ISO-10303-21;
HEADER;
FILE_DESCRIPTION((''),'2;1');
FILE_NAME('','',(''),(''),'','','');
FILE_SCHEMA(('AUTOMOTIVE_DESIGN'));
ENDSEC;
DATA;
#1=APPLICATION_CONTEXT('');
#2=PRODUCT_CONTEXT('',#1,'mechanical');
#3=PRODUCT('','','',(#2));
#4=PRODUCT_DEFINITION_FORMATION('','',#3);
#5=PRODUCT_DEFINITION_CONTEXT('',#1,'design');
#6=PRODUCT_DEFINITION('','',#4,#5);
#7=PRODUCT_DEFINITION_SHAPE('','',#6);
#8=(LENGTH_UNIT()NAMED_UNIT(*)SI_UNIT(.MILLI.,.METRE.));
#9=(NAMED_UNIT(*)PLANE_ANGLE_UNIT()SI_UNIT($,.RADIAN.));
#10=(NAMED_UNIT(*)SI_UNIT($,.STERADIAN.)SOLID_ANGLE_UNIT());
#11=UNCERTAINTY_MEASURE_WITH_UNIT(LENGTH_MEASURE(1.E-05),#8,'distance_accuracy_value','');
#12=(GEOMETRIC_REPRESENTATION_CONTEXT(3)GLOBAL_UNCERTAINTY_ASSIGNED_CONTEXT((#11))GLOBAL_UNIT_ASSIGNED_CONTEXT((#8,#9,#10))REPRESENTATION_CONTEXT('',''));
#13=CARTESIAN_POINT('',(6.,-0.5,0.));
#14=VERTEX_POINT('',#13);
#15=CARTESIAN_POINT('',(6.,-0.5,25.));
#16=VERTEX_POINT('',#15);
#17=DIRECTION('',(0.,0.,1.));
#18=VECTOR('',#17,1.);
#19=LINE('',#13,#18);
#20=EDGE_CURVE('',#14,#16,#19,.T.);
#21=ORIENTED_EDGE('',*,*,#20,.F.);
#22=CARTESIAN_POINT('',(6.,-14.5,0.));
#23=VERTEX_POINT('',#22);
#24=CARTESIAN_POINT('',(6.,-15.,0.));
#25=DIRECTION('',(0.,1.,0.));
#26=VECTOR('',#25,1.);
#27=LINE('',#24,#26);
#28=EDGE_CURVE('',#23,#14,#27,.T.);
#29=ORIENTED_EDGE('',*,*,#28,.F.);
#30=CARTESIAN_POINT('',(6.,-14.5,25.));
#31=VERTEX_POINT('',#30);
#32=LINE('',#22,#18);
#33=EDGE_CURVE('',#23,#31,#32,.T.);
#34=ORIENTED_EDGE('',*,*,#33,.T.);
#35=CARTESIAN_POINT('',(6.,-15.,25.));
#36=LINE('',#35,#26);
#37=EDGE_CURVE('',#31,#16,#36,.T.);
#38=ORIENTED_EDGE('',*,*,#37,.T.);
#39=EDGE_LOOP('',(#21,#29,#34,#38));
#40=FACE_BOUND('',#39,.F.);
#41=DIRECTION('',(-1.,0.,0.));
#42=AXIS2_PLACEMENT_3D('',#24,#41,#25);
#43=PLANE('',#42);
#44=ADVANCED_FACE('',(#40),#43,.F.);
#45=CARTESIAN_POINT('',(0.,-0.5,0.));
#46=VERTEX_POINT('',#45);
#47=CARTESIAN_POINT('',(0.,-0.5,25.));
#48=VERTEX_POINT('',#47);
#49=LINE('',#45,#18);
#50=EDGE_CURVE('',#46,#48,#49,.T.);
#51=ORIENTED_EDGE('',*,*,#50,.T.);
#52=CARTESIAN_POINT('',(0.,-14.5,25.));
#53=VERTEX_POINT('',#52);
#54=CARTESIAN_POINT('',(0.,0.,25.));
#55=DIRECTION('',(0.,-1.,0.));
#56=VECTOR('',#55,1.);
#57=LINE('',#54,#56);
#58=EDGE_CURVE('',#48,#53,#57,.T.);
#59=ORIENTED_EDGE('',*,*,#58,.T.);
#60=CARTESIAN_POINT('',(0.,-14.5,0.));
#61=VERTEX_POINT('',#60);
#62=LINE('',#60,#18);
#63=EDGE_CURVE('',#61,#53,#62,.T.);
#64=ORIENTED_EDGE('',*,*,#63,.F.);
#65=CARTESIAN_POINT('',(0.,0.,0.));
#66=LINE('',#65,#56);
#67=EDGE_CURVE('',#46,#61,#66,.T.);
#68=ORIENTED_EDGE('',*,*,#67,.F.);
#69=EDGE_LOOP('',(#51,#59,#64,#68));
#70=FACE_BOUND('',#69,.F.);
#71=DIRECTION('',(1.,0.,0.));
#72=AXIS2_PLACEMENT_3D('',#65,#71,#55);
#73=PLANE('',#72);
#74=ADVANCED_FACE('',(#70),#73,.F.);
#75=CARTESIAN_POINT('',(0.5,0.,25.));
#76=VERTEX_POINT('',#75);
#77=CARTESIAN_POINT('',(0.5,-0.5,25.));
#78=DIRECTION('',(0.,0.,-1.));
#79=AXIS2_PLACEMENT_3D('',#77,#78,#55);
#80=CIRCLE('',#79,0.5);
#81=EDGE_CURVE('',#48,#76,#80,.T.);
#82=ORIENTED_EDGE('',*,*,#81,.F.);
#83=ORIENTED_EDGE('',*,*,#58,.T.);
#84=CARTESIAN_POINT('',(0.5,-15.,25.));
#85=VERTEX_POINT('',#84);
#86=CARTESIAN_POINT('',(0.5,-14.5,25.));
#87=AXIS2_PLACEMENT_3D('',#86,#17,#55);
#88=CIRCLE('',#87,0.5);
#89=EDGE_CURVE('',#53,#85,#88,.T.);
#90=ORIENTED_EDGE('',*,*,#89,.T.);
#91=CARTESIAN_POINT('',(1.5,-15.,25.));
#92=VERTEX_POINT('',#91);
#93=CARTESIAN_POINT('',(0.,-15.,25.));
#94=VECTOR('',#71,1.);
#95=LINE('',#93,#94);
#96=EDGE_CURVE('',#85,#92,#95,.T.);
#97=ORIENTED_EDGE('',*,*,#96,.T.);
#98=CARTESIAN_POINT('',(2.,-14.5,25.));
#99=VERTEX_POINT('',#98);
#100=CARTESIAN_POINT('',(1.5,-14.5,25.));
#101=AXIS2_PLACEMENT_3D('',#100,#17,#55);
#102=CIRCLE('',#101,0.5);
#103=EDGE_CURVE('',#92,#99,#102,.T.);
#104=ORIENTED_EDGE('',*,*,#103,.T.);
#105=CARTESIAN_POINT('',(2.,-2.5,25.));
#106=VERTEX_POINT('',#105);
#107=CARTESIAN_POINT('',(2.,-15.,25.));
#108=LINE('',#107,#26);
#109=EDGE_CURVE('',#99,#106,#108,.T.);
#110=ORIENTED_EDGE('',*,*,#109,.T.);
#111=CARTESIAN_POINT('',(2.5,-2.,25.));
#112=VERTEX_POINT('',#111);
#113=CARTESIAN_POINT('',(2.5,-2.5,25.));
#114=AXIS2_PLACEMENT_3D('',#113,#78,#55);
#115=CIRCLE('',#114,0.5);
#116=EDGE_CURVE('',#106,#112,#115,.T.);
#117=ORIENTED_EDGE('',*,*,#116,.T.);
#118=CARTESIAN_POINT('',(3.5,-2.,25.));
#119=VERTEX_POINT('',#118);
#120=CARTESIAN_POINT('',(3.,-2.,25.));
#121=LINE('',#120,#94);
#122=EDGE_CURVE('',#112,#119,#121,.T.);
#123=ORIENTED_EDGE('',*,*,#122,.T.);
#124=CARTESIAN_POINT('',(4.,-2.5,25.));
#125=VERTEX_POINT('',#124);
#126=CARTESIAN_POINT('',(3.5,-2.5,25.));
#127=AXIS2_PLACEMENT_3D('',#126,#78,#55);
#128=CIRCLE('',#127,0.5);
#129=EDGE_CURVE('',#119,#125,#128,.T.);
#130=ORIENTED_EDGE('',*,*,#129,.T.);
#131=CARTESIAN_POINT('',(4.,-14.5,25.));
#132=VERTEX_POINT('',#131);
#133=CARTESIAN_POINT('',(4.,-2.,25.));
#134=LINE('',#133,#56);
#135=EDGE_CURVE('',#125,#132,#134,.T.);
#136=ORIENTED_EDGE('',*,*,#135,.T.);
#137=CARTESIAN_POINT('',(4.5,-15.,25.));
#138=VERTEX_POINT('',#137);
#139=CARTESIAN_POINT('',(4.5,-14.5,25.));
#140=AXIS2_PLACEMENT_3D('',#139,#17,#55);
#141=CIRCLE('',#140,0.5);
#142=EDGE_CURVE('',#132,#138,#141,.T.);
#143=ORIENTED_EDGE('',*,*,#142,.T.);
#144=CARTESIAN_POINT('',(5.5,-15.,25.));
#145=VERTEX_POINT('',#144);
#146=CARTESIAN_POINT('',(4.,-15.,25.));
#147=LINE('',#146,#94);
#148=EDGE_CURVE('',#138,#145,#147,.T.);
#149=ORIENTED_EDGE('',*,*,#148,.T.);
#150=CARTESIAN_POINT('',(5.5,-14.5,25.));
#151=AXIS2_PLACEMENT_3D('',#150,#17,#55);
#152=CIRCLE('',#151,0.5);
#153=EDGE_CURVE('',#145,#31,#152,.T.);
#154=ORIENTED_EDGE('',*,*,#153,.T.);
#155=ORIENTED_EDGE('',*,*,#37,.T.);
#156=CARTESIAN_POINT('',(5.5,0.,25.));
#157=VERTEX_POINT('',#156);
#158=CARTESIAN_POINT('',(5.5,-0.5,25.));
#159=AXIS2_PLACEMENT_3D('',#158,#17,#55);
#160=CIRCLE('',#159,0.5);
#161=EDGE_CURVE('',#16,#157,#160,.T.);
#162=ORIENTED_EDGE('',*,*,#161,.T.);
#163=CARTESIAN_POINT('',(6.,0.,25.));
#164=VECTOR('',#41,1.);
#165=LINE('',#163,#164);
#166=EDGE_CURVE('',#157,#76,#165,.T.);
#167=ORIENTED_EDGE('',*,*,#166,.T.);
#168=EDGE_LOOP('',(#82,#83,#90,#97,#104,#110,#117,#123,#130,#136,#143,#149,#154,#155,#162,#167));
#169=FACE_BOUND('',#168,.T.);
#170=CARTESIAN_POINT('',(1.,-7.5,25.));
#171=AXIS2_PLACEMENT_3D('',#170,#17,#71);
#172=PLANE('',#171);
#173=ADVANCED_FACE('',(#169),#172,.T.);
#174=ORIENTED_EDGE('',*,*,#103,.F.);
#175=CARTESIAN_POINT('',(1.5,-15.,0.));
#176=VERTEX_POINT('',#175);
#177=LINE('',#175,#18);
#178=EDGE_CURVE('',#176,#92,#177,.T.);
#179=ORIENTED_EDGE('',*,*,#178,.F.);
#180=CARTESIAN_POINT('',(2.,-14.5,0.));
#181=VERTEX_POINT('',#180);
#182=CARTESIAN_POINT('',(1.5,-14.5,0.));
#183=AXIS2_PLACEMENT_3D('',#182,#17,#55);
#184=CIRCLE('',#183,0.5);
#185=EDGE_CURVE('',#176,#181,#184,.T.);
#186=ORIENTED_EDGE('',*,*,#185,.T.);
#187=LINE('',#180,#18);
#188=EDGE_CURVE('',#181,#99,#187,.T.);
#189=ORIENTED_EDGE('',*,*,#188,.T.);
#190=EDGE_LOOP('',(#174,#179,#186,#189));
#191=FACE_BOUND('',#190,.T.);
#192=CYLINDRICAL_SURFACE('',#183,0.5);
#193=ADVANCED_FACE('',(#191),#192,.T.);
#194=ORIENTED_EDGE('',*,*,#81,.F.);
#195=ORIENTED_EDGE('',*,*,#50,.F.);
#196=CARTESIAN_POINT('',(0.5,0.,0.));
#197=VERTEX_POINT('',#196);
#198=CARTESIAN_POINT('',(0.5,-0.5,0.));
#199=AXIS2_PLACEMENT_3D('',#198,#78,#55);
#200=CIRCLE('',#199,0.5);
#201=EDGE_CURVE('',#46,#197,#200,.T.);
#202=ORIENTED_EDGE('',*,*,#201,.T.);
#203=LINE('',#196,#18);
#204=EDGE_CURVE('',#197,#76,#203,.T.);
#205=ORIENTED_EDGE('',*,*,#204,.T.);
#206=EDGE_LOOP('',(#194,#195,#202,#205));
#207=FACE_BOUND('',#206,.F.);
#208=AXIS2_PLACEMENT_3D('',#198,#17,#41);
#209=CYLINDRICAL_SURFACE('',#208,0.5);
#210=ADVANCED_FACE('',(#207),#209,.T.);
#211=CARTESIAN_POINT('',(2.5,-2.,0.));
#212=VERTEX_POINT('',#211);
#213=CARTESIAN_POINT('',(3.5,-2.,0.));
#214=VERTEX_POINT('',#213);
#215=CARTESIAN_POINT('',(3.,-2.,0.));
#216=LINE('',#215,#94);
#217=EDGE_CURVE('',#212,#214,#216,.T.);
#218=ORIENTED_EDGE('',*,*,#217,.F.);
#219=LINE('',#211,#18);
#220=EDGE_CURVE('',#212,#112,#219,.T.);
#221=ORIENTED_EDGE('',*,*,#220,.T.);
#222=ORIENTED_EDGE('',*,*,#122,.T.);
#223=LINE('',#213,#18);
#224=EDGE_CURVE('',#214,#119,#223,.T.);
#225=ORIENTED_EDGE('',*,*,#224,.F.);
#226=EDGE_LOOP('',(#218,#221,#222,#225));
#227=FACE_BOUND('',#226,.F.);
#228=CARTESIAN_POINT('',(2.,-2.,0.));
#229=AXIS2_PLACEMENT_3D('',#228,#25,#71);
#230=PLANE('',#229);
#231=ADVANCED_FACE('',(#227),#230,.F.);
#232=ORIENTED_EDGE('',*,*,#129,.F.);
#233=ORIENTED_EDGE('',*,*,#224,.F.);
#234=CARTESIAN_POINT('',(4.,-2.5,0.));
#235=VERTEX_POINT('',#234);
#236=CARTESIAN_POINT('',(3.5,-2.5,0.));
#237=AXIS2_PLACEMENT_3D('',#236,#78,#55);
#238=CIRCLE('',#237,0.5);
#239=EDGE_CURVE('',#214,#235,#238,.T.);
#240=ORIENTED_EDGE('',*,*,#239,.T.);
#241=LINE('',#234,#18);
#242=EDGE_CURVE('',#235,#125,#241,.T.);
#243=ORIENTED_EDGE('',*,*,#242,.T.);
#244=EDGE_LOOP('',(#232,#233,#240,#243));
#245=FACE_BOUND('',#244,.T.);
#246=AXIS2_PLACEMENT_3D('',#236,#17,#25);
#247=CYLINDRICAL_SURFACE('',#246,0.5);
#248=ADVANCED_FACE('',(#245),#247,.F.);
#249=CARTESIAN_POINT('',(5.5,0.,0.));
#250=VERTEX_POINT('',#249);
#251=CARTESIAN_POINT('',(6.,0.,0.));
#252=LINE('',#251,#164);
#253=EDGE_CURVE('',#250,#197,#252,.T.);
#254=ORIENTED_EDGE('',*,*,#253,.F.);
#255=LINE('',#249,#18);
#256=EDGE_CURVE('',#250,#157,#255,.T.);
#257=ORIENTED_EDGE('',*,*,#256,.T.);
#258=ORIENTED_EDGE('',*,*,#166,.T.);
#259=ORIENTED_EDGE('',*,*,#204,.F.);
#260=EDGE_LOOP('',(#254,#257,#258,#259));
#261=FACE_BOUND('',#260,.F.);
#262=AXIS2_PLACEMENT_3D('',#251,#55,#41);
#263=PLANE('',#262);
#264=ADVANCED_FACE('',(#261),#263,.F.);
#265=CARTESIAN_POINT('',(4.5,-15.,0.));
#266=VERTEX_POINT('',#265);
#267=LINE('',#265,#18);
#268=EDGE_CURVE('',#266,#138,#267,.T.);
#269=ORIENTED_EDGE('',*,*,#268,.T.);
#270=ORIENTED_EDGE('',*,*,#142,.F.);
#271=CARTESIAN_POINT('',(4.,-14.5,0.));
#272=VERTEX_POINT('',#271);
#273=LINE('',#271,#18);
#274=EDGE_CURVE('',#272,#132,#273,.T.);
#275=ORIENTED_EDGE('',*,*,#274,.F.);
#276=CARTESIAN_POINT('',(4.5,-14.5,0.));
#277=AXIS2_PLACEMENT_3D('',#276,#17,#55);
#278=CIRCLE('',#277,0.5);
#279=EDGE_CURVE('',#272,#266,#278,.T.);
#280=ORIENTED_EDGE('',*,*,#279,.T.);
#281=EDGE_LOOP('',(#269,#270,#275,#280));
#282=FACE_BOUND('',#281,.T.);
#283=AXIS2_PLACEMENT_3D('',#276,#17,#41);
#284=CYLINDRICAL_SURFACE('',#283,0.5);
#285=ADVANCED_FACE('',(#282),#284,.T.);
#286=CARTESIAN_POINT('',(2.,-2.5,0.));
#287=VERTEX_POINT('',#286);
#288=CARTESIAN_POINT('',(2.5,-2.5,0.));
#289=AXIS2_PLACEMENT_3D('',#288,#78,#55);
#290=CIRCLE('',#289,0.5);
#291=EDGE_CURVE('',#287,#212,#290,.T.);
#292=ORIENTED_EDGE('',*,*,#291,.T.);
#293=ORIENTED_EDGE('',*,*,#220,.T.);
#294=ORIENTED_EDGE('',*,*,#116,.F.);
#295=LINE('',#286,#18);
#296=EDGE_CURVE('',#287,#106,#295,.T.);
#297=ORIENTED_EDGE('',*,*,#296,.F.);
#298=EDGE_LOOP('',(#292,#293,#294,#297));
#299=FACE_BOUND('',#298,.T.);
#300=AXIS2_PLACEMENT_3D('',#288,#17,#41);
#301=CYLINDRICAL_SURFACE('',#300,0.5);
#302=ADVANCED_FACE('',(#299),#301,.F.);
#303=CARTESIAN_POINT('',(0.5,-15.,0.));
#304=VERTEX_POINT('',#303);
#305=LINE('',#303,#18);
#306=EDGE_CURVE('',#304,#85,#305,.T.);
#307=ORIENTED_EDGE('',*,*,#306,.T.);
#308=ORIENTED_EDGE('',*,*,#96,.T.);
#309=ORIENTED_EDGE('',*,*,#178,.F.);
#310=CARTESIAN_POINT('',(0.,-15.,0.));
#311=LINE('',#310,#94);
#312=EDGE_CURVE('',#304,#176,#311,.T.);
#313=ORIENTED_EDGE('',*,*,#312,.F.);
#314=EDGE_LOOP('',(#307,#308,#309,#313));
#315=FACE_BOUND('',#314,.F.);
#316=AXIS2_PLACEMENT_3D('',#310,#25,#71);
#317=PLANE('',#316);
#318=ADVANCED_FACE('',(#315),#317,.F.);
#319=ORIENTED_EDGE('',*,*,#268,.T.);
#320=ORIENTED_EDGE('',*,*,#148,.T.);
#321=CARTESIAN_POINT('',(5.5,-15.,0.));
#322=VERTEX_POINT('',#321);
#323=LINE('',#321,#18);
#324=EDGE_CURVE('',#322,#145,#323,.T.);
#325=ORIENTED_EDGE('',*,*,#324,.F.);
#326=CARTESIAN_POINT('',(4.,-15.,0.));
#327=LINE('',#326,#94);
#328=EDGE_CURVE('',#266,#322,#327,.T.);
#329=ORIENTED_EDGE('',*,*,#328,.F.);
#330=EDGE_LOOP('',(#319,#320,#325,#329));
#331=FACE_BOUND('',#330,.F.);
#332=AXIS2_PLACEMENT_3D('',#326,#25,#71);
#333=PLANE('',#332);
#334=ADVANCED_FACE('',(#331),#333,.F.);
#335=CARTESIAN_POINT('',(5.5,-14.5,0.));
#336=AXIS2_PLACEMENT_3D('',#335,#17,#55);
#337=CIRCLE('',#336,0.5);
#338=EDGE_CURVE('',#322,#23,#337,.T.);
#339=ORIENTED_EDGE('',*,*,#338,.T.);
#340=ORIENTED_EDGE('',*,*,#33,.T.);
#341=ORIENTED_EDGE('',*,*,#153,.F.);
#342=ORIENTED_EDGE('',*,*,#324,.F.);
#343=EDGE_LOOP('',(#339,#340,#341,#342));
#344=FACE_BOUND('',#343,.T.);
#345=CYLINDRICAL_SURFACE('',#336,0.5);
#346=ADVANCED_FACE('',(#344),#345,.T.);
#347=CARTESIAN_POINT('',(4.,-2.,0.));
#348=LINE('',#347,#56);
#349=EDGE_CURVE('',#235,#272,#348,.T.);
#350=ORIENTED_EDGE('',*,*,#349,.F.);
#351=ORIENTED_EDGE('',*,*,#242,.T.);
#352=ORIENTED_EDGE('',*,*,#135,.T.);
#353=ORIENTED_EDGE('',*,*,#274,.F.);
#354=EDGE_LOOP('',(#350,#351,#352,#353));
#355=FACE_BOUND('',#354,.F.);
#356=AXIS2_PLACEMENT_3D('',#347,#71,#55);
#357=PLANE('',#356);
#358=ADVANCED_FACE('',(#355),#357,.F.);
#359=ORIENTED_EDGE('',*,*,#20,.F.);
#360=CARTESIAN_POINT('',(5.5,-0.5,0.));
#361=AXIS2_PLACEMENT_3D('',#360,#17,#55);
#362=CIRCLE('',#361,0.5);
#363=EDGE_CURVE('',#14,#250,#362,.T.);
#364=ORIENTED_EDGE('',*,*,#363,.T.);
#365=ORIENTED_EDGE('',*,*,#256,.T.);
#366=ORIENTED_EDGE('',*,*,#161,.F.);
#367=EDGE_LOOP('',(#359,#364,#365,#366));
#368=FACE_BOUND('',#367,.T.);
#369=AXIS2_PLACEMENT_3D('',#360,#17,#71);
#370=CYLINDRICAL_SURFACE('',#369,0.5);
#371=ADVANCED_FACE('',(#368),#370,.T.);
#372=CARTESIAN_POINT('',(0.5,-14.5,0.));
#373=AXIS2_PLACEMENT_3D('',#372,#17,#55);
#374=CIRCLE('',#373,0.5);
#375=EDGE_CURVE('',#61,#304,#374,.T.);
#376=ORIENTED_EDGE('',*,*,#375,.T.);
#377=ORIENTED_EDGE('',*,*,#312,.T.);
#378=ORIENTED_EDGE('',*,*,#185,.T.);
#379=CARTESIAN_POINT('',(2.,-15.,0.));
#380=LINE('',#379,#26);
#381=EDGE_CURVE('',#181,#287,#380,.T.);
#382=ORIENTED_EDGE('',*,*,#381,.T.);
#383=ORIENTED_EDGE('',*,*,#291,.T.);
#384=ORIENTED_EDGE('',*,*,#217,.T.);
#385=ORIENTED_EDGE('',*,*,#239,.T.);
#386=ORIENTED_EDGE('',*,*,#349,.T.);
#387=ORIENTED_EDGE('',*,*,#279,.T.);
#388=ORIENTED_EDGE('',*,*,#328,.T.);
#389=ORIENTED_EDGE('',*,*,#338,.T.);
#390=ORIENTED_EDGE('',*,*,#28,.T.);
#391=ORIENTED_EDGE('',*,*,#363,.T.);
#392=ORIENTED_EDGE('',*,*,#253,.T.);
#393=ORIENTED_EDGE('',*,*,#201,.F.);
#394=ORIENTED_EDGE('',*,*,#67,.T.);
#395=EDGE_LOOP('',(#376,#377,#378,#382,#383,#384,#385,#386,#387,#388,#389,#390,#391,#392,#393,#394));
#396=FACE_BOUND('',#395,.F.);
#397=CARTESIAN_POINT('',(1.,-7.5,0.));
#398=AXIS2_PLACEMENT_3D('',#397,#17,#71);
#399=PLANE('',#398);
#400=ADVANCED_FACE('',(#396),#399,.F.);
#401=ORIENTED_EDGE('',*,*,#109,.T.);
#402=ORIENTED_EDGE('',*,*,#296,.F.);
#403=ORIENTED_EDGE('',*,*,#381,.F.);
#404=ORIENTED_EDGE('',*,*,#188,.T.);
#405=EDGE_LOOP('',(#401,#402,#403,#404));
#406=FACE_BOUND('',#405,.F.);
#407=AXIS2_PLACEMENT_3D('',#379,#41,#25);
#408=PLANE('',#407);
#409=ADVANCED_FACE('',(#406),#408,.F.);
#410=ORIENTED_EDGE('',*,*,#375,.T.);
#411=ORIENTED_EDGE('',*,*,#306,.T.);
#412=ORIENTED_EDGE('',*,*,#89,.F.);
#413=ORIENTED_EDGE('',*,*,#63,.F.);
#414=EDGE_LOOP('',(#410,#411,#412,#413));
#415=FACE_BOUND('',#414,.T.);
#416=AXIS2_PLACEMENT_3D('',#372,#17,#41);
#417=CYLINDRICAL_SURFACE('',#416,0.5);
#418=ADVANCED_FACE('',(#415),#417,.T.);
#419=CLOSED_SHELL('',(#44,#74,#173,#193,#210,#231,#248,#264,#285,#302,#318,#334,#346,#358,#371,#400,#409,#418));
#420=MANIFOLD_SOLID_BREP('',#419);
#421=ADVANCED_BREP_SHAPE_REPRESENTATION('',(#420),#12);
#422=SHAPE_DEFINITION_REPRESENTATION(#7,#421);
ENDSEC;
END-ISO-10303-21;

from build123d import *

# Parameters (mm, degrees)
F0_W     = 2
F0_H     = 2
F1_DEPTH = 25
F2_R     = 0.5


with BuildPart() as f1:
    # F0 (on Top) → F1 (new body)
    with BuildSketch(Plane.XY):
        Polygon((2, 0), (0, 0), (0, -15), (2, -15), (2, -2), align=None)
        with Locations((3, -1)):
            Rectangle(F0_W, F0_H)
        Polygon((6, 0), (4, 0), (4, -2), (4, -15), (6, -15), align=None)
    extrude(amount=F1_DEPTH)

    # F2
    f2_edges = [f1.edges().sort_by_distance(p)[0] for p in [
        (2, -2, 12.5),
        (4, -2, 12.5),
        (0, 0, 12.5),
        (6, 0, 12.5),
        (0, -15, 12.5),
        (2, -15, 12.5),
        (4, -15, 12.5),
        (6, -15, 12.5),
    ]]
    fillet(f2_edges, radius=F2_R)


solid = f1.part
